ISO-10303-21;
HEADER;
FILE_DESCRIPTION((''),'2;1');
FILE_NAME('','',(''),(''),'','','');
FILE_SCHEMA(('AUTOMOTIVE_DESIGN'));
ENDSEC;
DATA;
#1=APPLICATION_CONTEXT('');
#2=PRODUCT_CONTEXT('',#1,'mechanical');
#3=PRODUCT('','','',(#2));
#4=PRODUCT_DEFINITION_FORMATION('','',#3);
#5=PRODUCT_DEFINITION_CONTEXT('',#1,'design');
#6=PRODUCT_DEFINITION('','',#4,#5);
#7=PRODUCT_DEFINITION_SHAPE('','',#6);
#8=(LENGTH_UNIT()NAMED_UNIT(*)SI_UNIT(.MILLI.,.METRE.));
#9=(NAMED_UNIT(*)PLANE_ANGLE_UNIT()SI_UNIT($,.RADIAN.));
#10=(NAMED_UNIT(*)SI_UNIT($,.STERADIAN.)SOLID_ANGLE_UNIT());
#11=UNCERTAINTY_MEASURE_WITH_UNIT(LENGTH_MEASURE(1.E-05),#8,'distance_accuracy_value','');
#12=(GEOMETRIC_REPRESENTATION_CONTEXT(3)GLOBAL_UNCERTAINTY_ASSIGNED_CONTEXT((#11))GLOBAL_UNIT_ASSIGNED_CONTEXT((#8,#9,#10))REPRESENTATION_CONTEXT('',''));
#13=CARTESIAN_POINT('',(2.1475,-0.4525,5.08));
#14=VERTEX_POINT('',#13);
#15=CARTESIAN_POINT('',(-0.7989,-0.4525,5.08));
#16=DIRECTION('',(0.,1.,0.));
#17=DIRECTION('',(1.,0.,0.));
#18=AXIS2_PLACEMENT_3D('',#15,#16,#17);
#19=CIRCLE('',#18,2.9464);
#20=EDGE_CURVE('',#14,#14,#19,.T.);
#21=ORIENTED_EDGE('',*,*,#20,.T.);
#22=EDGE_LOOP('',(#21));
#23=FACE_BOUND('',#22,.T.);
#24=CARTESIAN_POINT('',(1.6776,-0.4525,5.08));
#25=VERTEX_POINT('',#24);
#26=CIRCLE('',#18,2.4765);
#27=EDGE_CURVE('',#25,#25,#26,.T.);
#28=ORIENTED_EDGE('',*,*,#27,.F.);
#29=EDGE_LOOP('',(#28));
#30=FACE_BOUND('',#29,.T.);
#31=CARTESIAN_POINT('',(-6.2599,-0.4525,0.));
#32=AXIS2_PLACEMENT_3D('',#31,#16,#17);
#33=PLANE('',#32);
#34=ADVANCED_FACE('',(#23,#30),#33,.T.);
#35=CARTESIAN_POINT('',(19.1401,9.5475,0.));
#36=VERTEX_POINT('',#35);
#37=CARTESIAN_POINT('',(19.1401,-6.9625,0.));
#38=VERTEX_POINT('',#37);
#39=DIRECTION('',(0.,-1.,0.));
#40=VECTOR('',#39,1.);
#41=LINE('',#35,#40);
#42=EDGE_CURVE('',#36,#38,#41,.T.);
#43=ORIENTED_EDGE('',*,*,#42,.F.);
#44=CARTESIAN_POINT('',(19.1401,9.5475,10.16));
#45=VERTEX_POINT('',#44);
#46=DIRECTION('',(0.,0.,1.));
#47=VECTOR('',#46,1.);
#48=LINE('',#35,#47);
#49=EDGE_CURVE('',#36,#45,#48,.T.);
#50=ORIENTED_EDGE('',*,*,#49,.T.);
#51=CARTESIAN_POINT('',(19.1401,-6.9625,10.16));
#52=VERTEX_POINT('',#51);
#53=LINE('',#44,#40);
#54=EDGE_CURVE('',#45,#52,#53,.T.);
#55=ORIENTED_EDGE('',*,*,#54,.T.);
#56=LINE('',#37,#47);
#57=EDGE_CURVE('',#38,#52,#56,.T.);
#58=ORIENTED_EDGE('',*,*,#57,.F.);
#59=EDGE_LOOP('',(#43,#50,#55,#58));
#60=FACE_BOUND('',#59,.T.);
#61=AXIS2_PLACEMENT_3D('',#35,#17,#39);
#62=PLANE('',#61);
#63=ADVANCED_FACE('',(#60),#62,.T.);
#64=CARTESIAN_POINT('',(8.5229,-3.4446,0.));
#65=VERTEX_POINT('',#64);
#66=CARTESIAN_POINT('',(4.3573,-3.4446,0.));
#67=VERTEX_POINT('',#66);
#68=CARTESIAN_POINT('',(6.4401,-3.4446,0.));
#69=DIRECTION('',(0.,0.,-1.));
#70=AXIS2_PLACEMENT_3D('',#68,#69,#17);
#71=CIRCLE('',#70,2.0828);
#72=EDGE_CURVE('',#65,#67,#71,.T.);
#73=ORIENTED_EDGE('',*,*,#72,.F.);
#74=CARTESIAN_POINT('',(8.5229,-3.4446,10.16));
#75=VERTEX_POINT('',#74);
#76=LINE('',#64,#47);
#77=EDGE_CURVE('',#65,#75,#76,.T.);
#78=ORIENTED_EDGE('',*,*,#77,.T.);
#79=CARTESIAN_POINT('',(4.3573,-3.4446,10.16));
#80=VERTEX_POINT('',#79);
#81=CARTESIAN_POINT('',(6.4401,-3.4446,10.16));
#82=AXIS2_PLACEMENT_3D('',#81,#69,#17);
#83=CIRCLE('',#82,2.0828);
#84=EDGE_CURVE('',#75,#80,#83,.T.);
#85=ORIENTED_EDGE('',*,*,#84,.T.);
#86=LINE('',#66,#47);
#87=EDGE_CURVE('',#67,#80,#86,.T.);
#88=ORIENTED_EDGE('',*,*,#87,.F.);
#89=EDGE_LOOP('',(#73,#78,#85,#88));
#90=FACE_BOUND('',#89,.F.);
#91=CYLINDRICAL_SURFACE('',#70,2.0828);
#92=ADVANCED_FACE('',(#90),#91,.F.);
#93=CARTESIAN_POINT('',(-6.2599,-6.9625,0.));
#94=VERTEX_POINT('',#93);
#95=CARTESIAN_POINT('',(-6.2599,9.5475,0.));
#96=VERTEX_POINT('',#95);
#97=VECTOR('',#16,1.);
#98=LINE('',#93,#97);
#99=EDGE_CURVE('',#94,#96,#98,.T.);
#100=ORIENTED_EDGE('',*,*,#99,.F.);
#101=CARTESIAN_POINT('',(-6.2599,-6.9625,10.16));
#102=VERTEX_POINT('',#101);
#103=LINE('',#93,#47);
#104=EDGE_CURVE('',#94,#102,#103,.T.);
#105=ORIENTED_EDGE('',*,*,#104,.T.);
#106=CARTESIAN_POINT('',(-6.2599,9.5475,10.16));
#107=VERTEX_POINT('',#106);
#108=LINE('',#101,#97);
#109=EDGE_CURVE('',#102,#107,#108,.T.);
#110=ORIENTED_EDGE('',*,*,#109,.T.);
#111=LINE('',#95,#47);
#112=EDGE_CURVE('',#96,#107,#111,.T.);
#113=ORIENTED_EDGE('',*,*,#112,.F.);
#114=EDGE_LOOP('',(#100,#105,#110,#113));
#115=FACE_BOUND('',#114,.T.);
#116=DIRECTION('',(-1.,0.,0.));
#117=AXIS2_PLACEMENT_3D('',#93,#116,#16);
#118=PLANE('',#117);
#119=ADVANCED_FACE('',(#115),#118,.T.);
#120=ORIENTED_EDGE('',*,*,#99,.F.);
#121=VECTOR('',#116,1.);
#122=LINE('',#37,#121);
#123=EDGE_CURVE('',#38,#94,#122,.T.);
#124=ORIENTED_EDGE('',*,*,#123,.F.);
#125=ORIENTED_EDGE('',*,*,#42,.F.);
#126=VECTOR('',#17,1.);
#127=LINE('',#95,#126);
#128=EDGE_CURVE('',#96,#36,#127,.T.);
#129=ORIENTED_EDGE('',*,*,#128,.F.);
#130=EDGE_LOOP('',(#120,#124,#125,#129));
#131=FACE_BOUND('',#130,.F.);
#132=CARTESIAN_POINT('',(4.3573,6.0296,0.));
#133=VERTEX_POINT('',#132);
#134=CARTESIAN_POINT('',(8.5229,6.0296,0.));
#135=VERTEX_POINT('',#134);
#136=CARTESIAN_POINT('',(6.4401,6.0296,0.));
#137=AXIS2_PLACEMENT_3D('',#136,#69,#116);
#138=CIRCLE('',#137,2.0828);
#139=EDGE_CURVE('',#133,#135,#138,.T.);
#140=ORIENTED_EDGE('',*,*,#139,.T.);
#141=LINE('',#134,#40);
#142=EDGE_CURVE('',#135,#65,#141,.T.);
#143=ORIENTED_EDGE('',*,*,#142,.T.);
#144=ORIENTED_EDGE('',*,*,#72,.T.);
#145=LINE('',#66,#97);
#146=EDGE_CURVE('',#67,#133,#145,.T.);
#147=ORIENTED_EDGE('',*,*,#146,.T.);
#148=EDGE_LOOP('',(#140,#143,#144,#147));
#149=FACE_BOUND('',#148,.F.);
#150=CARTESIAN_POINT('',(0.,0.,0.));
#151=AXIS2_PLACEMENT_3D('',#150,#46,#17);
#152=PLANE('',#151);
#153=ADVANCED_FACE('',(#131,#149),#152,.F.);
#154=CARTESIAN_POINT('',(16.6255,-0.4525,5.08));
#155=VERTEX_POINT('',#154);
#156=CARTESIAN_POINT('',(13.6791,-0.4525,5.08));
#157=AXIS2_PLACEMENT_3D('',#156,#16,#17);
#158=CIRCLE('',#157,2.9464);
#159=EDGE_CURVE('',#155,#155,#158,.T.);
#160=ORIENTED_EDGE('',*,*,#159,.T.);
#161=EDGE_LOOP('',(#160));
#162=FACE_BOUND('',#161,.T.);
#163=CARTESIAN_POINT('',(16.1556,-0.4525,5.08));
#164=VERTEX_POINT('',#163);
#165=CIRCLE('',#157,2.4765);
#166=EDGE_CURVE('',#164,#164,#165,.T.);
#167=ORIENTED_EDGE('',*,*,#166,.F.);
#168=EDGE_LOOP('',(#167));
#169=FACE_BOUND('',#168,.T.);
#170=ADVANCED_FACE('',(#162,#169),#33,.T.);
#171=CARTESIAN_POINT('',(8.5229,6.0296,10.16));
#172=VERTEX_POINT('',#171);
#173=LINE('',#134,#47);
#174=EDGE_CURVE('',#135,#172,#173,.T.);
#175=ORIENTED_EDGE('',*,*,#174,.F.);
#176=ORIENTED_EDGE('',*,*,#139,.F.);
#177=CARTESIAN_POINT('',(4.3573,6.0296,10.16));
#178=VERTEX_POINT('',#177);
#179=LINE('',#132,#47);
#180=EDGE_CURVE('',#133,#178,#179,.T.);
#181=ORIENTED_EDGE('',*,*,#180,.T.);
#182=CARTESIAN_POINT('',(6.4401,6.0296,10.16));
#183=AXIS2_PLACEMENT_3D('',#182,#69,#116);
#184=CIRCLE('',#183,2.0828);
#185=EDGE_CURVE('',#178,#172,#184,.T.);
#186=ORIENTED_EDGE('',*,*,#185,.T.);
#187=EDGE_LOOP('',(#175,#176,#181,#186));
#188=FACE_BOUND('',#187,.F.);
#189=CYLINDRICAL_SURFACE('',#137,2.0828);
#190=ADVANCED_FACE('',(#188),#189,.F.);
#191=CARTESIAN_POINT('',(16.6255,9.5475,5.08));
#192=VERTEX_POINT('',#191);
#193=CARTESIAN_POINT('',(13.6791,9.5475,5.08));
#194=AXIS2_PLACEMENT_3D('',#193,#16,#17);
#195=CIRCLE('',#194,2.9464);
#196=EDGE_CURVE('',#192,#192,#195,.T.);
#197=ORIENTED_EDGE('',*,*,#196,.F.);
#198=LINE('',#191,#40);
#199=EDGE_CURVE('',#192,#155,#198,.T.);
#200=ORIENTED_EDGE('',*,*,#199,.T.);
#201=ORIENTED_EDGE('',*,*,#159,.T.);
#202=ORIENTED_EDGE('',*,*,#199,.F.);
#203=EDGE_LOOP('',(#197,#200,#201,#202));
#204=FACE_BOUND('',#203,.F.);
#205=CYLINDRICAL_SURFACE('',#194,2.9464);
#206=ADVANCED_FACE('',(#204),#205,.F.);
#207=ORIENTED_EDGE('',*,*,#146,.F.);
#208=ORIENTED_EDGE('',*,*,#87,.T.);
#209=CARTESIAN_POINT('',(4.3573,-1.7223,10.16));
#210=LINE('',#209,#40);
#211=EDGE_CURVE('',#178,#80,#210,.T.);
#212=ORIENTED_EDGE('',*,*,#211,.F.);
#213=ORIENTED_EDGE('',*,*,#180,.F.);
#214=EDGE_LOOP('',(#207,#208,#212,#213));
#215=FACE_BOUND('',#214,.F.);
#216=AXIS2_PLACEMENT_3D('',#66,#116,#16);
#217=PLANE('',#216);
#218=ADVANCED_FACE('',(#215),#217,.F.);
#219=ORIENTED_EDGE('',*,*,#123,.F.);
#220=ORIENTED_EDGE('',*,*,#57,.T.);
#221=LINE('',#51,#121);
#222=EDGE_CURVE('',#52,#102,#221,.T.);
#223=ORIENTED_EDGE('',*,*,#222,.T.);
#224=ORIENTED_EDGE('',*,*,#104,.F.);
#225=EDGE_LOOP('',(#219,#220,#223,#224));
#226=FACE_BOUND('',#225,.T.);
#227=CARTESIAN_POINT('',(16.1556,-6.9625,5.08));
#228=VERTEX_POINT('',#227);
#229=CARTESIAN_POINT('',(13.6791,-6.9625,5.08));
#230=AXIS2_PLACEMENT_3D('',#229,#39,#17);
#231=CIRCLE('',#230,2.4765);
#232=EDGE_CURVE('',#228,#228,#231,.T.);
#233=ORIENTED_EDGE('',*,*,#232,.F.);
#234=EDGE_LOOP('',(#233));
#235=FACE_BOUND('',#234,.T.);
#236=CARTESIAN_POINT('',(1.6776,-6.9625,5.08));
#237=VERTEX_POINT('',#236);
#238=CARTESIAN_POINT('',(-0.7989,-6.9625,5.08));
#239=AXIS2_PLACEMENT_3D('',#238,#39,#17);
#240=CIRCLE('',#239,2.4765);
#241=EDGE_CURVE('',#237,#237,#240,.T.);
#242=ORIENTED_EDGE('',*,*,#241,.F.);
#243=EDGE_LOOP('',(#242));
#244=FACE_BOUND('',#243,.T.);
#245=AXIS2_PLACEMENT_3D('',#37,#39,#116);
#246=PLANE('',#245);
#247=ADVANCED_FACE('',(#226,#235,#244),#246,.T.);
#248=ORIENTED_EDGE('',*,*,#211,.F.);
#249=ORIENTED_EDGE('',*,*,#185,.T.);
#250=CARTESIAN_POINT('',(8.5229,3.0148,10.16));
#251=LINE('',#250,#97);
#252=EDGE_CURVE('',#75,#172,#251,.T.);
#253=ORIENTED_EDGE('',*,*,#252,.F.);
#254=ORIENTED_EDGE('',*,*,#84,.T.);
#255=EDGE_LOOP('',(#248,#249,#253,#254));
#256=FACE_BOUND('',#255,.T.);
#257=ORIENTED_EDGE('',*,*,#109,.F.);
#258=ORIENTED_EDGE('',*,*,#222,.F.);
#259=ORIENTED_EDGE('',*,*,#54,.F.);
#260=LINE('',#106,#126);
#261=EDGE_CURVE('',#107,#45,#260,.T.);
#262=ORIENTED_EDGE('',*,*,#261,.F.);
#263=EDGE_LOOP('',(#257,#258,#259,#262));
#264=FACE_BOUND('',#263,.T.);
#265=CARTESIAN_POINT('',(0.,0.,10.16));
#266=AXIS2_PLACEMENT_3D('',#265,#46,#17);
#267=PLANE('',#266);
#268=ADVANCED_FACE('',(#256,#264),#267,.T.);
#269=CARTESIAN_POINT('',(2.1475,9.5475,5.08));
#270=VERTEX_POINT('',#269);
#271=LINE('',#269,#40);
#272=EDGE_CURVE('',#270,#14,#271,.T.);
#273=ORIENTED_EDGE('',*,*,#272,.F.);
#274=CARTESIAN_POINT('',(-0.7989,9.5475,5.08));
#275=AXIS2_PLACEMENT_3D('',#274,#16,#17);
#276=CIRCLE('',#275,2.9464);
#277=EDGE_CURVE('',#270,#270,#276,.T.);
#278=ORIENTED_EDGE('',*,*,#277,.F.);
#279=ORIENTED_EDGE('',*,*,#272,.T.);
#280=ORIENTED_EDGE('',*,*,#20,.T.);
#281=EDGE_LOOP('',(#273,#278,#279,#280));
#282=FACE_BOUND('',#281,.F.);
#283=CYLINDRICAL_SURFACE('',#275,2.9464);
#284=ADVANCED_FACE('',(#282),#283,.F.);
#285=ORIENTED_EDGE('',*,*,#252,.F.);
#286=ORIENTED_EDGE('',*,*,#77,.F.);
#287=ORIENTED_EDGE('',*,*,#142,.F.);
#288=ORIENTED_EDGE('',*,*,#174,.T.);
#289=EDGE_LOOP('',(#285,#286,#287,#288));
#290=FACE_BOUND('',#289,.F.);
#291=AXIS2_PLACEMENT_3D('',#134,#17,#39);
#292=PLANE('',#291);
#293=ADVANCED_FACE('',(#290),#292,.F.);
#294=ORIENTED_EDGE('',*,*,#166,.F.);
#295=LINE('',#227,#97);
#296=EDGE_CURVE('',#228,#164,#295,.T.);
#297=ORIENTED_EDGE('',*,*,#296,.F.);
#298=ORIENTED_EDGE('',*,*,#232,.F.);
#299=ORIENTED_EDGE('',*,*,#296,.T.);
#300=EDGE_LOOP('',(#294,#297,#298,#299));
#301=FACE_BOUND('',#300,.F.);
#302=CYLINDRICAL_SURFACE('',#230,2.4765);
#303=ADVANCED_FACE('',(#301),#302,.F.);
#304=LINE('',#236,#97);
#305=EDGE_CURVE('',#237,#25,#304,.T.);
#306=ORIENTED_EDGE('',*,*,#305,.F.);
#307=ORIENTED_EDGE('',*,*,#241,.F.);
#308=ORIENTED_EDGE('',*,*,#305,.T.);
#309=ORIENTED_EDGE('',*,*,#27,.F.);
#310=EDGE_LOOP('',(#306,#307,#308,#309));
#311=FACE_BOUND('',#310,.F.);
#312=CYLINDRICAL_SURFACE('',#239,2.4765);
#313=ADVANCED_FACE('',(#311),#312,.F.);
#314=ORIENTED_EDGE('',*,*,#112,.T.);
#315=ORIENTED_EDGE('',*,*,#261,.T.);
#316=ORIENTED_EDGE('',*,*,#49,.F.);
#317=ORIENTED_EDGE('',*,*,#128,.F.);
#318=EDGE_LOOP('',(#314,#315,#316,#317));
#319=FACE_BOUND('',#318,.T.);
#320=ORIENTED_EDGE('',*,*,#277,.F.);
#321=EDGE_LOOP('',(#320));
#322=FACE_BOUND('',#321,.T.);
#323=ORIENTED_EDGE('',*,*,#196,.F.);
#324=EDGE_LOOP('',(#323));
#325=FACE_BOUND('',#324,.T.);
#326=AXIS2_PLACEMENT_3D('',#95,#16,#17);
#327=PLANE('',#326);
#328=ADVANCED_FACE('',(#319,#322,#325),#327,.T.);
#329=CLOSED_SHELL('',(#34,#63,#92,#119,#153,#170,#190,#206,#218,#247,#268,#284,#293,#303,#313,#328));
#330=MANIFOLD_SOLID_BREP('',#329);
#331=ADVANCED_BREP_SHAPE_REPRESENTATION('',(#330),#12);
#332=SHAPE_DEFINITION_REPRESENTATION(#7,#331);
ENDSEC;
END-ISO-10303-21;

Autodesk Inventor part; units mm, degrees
ref_plane "YZ Plane" through (0, 0, 0) normal (1, 0, 0) x (0, 1, 0)
ref_plane "XZ Plane" through (0, 0, 0) normal (0, 1, 0) x (-1, 0, 0)
ref_plane "XY Plane" through (0, 0, 0) normal (0, 0, 1) x (1, 0, 0)
sketch "Sketch1" plane through (0, 0, 0) normal (0, 0, 1) x (1, 0, 0)
  line L0 (-6.2599, 9.5475) -> (19.1401, 9.5475)
  line L1 (19.1401, 9.5475) -> (19.1401, -6.9625)
  line L2 (19.1401, -6.9625) -> (-6.2599, -6.9625)
  line L3 (-6.2599, -6.9625) -> (-6.2599, 9.5475)
  point P0 (0, 0)
  dimension "d0" = 25.4
  dimension "d1" = 16.51
extrude "Plate1" add sketch "Sketch1" along normal blind 10.16
sketch "Sketch4" plane through (-6.2599, -6.9625, 0) normal (0, -1, 0) x (1, 0, 0)
  circle A0 centre (5.461, 5.08) radius 2.4765
  circle A1 centre (19.939, 5.08) radius 2.4765
  line L0 (25.4, 0) -> (25.4, 10.16) projected
  line L1 (0, 0) -> (0, 10.16) projected
  line L2 (25.4, 10.16) -> (0, 10.16) projected
  circle A2 centre (5.461, 5.08) radius 2.4765
  circle A3 centre (19.939, 5.08) radius 2.4765
  dimension "d30" = 4.953
  dimension "d37" = 5.461
  dimension "d38" = 5.461
extrude "Extrusion1" cut sketch "Sketch4" against normal blind 14
sketch "Sketch5" plane through (-6.2599, 9.5475, 0) normal (0, 1, 0) x (1, 0, 0)
  circle A0 centre (5.461, -5.08) radius 2.4765 projected
  circle A1 centre (5.461, -5.08) radius 2.9464
  circle A2 centre (19.939, -5.08) radius 2.4765 projected
  circle A3 centre (19.939, -5.08) radius 2.9464
  line L0 (25.4, 0) -> (25.4, -10.16) projected
  line L1 (0, 0) -> (0, -10.16) projected
  point P0 (6.2599, 0)
extrude "Extrusion2" cut sketch "Sketch5" against normal blind 10
sketch "Sketch6" plane through (0, 0, 0) normal (0, 0, -1) x (-1, 0, 0)
  line L0 (-19.1401, 9.5475) -> (-19.1401, -6.9625) projected
  line L1 (6.2599, 9.5475) -> (-19.1401, 9.5475)
  line L2 (6.2599, -6.9625) -> (6.2599, 9.5475) projected
  line L3 (6.2599, 1.2925) -> (-19.1401, 1.2925) construction
  line L4 (-6.4401, 6.0296) -> (-6.4401, -3.4446) construction
  line L5 (-19.1401, -6.9625) -> (6.2599, -6.9625) projected
  line L6 (-8.5229, 6.0296) -> (-8.5229, -3.4446)
  line L7 (-4.3573, -3.4446) -> (-4.3573, 6.0296)
  arc A0 (-4.3573, 6.0296) -> (-8.5229, 6.0296) centre (-6.4401, 6.0296) ccw
  arc A1 (-8.5229, -3.4446) -> (-4.3573, -3.4446) centre (-6.4401, -3.4446) ccw
  point P0 (-6.4401, 1.2925)
  dimension "d26" = 13.6398
  dimension "d27" = 2.0828
extrude "Extrusion3" cut sketch "Sketch6" against normal through all contours A0 L7 A1 L6
sketch "Sketch7" plane through (-6.2599, 9.5475, 0) normal (0, 1, 0) x (1, 0, 0)
  circle A0 centre (5.461, -5.08) radius 2.9464 projected
  circle A1 centre (5.461, -5.08) radius 2.4765
  circle A2 centre (19.939, -5.08) radius 2.4765 projected
  circle A3 centre (19.939, -5.08) radius 2.4765
  point P0 (6.2599, 0)
extrude "Extrusion4" cut sketch "Sketch7" against normal up to next contours A1 | A2
sketch "Sketch8" plane through (0, 0, 0) normal (0, 0, -1) x (-1, 0, 0)
  arc A0 (-8.5229, -3.4446) -> (-4.3573, -3.4446) centre (-6.4401, -3.4446) ccw projected
  line L0 (-8.5229, -3.4446) -> (-8.5229, 6.0296) projected
  line L1 (-6.4401, 1.2925) -> (-3.3921, 1.2925) construction
  line L2 (-6.4401, 1.2925) -> (-9.4881, 1.2925) construction
  line L3 (-3.3921, 1.2925) -> (-3.3921, 9.5475) construction
  line L4 (6.2599, 9.5475) -> (-19.1401, 9.5475) projected
  point P0 (0, 0)
  dimension "d41" = 3.048
  dimension "d42" = 3.048
equation "\"BendRadius\" = Thickness"
equation "\"BendReliefWidth\" = Thickness"
equation "\"BendReliefDepth\" = 0.5 * Thickness"
equation "\"CornerReliefSize\" = 4 * Thickness"
equation "\"MinimumRemnant\" = 2 * Thickness"
equation "\"TransitionRadius\" = BendRadius"
equation "\"JacobiRadiusSize\" = Thickness"
equation "\"GapSize\" = Thickness"
equation "\"d2\" = BendRadius"
equation "\"Thickness\" = 10.16"
properties part number "Hew Sensor Mount 2017"
